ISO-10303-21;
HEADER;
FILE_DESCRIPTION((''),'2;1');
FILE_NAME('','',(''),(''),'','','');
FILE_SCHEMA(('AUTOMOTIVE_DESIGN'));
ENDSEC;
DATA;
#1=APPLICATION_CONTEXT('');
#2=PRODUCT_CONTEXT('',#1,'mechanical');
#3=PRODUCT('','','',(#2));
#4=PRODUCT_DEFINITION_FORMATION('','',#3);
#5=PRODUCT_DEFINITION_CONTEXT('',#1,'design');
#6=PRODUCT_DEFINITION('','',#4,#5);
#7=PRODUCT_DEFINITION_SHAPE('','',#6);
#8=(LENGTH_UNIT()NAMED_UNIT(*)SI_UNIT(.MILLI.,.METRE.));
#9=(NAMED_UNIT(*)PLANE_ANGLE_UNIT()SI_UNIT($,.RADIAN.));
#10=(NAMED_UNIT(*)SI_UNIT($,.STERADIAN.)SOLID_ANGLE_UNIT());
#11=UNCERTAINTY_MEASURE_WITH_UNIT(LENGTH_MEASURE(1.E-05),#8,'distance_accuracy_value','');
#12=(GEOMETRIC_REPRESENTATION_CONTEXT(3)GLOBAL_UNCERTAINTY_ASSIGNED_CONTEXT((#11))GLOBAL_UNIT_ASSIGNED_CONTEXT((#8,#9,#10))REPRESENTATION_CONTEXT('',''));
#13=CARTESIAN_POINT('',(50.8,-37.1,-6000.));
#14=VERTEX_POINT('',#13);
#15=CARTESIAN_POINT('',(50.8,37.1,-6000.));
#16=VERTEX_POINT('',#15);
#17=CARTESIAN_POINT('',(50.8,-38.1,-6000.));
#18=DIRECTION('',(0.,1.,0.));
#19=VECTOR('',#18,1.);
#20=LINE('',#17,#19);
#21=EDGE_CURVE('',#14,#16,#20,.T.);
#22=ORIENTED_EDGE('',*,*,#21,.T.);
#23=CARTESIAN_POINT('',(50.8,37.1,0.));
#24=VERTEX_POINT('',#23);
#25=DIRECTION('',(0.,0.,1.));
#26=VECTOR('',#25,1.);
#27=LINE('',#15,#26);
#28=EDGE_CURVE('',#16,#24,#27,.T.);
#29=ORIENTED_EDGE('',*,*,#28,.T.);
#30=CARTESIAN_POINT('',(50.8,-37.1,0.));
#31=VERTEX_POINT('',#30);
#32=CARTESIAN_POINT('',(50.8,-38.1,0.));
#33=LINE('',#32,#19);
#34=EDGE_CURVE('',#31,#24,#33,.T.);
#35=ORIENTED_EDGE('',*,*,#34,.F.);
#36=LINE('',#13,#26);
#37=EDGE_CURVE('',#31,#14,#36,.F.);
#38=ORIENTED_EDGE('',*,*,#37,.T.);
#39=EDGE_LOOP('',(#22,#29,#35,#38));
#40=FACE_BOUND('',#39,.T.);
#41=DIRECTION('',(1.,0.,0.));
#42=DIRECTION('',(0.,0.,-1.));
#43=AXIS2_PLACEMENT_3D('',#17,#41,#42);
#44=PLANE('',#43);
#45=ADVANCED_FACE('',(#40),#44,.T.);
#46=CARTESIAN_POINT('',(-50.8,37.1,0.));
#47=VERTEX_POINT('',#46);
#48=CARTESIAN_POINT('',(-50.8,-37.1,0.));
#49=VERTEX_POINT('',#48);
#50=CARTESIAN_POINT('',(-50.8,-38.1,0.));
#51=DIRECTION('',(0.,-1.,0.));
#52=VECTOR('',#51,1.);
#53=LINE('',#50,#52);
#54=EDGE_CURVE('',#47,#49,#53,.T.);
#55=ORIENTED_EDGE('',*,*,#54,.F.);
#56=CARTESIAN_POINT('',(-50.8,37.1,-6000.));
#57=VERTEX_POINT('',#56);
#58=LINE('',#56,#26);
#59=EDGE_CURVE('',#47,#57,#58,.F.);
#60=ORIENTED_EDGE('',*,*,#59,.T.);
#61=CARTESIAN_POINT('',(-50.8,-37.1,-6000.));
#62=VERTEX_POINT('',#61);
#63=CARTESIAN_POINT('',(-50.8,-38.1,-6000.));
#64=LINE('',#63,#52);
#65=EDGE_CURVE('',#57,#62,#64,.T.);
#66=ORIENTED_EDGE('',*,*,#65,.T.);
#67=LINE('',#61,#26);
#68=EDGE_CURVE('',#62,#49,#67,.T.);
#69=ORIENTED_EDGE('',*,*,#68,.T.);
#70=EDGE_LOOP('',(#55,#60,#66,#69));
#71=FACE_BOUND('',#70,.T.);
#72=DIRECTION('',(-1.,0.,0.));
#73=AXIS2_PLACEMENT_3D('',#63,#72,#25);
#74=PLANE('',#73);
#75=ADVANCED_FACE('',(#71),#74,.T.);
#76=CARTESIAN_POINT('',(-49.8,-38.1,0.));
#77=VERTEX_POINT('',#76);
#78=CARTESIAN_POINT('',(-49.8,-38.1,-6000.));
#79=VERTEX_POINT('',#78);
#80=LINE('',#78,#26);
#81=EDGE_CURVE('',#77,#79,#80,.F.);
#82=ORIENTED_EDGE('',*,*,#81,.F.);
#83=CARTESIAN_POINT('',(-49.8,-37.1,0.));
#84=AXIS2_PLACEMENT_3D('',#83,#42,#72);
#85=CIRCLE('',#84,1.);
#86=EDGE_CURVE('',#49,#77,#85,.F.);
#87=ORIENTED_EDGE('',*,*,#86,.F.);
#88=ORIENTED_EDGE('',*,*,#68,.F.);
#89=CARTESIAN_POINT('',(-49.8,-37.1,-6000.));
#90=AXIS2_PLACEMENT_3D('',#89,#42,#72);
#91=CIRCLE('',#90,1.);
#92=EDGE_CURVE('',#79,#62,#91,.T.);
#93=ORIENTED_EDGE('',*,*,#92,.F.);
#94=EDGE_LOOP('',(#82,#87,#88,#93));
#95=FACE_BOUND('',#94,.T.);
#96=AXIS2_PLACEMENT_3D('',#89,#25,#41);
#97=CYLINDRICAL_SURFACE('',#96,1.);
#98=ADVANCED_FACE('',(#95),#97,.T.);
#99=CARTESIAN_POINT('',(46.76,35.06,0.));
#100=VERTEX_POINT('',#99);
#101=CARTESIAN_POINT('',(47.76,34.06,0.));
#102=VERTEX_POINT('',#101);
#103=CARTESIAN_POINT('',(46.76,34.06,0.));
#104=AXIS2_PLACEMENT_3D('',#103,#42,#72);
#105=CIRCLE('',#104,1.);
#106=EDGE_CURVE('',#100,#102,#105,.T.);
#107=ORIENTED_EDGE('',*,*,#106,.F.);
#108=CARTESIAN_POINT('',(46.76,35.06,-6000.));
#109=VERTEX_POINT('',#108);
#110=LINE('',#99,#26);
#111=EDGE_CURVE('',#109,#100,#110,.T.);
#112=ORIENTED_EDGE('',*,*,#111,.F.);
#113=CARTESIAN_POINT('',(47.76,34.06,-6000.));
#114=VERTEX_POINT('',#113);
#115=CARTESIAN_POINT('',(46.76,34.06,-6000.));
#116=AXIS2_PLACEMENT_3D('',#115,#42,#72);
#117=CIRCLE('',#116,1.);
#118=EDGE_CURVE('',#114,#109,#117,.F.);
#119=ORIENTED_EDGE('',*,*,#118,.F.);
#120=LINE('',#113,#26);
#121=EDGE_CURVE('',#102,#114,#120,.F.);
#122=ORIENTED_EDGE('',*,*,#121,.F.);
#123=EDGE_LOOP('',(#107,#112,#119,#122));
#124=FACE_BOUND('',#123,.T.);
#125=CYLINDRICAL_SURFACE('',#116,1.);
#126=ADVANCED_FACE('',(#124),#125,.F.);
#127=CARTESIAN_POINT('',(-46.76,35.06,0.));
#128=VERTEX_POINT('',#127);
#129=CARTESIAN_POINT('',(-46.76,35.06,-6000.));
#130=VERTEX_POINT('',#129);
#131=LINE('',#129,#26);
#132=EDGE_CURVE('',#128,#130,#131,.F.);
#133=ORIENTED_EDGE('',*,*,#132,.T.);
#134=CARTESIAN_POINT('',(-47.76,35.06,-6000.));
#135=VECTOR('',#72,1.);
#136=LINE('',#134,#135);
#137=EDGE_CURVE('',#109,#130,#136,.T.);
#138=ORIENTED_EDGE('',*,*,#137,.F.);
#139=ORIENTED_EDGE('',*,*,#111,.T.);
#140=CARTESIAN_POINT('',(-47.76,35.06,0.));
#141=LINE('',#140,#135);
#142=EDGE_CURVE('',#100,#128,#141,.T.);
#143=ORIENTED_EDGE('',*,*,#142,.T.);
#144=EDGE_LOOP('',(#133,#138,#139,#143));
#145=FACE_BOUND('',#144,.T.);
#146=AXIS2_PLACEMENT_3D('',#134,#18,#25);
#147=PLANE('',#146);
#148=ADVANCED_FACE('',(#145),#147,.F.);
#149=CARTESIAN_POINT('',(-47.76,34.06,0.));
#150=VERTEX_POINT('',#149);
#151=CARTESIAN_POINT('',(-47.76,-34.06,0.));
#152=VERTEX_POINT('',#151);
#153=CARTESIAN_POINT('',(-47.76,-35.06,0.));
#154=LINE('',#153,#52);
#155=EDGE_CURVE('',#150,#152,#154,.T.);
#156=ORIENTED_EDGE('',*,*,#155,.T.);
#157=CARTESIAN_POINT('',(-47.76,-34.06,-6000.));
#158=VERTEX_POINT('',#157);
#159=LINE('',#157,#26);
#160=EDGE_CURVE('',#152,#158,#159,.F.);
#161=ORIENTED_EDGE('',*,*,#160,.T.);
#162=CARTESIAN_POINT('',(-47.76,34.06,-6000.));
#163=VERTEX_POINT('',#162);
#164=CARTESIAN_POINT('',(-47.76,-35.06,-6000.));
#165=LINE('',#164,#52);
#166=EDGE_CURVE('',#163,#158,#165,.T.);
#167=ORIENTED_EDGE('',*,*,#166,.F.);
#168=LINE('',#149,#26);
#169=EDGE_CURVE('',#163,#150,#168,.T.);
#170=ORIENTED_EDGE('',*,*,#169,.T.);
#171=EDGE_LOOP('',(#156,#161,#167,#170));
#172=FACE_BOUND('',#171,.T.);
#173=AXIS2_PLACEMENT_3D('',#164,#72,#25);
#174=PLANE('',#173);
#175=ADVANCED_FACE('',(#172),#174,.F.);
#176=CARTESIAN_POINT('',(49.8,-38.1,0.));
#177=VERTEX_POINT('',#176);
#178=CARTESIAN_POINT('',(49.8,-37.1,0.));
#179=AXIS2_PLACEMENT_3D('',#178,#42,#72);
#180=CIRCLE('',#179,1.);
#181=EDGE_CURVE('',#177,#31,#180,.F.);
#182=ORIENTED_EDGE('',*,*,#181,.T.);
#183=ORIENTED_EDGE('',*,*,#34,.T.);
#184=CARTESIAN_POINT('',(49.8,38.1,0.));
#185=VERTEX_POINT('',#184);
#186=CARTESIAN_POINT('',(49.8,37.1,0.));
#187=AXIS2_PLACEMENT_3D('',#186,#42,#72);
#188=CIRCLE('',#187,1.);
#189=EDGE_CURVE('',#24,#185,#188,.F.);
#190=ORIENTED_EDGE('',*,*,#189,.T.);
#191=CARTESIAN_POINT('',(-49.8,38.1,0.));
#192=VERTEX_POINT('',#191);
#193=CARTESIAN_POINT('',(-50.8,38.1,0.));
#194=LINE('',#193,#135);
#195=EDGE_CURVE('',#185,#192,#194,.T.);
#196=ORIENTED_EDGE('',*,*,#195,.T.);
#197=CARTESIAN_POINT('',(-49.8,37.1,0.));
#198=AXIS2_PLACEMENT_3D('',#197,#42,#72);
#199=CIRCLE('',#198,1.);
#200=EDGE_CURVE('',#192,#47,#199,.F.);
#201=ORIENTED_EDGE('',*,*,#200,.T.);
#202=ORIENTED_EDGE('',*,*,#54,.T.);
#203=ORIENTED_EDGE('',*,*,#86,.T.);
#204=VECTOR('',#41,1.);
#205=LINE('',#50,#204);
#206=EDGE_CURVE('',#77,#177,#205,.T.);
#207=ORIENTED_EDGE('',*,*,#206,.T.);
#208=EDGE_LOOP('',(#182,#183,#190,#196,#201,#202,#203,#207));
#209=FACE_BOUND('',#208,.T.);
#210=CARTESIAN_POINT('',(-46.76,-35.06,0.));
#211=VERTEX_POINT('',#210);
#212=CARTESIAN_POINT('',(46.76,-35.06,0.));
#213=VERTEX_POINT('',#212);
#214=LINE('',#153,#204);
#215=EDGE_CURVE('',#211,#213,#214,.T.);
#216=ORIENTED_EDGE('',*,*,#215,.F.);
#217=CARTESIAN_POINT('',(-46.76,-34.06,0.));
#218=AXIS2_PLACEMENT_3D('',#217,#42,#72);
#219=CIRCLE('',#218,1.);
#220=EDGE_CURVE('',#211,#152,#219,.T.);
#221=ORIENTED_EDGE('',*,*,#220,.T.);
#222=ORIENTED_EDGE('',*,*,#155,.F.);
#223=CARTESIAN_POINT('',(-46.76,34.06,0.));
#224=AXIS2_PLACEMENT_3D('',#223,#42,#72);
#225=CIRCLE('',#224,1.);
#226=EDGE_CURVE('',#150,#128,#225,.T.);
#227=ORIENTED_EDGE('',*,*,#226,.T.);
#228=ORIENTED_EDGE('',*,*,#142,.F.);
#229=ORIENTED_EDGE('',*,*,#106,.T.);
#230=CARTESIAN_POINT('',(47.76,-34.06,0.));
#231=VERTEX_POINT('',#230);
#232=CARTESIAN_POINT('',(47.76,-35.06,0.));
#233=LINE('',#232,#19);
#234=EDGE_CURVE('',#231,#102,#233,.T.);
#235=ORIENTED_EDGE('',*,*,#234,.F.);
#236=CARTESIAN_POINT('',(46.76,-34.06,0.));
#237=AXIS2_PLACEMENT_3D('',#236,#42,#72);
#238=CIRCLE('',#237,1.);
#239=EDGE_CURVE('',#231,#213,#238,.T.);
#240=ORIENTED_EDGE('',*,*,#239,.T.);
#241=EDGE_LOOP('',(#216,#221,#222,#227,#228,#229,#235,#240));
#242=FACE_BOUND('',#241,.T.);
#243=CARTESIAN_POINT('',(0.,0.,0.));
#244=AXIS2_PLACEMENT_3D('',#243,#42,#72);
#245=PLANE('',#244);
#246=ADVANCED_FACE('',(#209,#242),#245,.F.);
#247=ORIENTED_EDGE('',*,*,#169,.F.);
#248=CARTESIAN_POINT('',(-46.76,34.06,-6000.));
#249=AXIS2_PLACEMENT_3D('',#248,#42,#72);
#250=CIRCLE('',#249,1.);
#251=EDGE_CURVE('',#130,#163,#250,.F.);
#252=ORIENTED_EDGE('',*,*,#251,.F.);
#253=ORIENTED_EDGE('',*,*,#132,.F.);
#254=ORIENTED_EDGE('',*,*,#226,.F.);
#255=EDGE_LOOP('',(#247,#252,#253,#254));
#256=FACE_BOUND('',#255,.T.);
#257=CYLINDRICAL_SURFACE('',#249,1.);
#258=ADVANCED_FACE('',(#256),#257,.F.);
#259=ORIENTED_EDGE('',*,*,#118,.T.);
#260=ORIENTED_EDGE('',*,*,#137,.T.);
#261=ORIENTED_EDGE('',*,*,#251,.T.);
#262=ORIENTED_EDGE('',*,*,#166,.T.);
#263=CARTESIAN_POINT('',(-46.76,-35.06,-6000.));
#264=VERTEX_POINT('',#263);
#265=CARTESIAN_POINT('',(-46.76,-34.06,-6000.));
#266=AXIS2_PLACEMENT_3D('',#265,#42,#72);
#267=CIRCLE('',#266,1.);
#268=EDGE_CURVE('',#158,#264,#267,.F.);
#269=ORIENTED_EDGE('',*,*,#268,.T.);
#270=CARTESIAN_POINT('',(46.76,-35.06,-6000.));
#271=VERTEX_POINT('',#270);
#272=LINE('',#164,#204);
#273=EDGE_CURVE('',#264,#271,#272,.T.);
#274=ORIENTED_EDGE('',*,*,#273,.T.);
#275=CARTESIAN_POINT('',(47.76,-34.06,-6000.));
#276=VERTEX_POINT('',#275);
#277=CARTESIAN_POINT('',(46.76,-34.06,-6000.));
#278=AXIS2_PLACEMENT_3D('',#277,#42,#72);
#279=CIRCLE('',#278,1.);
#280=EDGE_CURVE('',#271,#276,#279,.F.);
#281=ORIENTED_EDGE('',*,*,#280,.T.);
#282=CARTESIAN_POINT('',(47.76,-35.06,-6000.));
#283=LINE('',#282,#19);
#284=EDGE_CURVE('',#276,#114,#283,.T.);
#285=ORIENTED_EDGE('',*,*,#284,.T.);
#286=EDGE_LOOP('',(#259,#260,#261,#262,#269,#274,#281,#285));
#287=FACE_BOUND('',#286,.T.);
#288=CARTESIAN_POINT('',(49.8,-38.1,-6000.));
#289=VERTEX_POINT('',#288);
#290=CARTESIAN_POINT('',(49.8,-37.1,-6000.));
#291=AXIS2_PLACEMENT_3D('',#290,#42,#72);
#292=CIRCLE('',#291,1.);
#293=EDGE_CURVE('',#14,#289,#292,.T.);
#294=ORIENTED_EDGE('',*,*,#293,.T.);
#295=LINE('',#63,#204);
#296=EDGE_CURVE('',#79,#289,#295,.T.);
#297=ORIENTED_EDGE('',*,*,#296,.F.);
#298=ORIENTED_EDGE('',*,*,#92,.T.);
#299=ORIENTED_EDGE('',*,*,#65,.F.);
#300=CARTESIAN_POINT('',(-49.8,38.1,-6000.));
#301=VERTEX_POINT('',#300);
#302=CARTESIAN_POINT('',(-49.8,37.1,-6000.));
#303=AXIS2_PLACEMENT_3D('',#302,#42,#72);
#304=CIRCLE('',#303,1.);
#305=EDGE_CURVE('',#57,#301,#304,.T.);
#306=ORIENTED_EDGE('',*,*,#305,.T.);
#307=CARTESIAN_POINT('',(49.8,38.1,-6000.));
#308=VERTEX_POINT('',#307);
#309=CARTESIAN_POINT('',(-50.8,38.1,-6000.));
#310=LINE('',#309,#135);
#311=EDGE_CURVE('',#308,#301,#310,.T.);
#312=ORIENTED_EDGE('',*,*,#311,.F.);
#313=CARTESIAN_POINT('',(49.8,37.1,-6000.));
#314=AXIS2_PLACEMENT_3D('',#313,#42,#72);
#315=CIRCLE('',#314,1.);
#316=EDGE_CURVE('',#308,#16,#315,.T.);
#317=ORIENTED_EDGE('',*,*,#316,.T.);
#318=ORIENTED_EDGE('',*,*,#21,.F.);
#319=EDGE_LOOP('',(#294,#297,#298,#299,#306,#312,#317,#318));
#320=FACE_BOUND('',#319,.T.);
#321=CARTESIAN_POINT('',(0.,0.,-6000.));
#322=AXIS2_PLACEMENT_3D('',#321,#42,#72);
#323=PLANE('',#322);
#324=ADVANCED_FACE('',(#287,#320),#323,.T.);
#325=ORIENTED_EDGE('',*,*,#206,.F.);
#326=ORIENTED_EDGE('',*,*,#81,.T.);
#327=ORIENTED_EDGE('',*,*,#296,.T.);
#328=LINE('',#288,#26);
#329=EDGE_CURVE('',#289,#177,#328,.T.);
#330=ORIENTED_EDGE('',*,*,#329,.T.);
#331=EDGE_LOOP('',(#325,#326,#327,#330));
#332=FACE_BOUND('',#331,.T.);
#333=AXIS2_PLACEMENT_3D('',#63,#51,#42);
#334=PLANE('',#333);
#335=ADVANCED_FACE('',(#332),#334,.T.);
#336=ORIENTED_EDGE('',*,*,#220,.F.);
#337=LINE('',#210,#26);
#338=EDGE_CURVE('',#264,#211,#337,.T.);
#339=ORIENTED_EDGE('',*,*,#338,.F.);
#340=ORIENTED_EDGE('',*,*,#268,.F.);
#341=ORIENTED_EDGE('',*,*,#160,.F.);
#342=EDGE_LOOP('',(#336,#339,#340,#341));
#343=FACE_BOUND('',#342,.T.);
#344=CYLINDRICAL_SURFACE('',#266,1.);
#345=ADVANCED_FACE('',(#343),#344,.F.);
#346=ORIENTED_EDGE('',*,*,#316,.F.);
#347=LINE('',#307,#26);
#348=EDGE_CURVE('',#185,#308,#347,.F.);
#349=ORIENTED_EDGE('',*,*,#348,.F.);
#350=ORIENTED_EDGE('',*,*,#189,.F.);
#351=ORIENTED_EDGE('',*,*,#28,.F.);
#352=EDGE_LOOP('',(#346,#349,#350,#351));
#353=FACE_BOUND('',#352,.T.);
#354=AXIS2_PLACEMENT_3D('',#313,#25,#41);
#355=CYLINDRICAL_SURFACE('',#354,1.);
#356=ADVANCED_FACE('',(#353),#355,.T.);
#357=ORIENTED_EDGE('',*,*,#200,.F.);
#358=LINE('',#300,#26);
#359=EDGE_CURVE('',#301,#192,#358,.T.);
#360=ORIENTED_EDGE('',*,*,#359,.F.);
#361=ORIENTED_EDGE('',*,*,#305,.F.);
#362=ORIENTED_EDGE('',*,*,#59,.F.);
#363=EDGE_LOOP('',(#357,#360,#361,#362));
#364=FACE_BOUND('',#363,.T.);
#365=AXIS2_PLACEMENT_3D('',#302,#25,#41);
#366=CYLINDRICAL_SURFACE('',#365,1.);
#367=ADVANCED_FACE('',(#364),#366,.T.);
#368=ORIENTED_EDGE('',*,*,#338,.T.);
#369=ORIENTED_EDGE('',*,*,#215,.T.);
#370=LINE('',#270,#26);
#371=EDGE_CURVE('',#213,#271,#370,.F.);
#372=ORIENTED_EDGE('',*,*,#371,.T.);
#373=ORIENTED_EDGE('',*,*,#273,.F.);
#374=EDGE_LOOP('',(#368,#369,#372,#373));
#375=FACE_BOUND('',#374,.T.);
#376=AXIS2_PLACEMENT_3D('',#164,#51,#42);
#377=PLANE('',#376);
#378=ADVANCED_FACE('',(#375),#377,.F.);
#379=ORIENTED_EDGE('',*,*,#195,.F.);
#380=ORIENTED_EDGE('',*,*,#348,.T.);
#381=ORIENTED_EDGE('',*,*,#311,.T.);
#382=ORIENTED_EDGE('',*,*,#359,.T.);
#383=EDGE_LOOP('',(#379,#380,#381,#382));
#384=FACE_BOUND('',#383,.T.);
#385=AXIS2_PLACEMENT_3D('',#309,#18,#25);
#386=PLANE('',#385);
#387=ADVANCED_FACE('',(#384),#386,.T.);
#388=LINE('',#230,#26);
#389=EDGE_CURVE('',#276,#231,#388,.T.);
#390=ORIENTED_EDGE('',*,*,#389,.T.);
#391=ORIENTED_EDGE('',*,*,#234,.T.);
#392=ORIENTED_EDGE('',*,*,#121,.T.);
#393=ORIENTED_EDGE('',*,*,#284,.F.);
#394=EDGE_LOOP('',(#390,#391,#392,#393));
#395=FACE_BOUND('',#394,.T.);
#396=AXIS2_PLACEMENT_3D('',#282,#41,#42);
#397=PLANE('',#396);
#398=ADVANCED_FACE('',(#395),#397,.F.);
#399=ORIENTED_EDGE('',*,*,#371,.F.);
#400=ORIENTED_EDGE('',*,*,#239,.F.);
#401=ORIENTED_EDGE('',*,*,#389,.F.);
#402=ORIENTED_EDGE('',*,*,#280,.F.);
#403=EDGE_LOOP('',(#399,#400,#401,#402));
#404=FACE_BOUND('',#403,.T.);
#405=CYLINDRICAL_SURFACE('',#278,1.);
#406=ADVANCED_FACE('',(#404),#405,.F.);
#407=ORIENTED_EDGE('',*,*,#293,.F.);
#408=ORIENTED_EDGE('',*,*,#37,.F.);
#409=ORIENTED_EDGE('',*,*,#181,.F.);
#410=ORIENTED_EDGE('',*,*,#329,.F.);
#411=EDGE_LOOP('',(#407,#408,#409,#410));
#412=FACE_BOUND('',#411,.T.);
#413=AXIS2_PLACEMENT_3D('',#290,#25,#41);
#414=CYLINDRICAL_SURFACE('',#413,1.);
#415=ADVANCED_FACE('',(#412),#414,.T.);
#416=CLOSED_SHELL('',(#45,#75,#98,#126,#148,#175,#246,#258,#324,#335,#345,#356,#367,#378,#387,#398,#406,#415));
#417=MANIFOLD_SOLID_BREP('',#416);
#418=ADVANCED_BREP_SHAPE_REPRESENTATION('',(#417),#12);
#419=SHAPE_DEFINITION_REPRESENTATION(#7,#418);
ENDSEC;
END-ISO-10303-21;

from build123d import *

# Parameters (mm, degrees)
CROQUIS1_W              = 101.6
CROQUIS1_H              = 76.2
CROQUIS1_W_2            = 95.52
CROQUIS1_H_2            = 70.12
SALIENTE_EXTRUIR1_DEPTH = 6000
REDONDEO1_R             = 1


with BuildPart() as part:
    # Croquis1 → Saliente-Extruir1 (new body)
    with BuildSketch(Plane.XY):
        Rectangle(CROQUIS1_W, CROQUIS1_H)
        Rectangle(CROQUIS1_W_2, CROQUIS1_H_2, mode=Mode.SUBTRACT)
    extrude(amount=-SALIENTE_EXTRUIR1_DEPTH)

    # Redondeo1
    redondeo1_edges = [part.edges().sort_by_distance(p)[0] for p in [
        (47.76, -35.06, -3000),
        (-47.76, -35.06, -3000),
        (-47.76, 35.06, -3000),
        (47.76, 35.06, -3000),
        (50.8, -38.1, -3000),
        (-50.8, -38.1, -3000),
        (-50.8, 38.1, -3000),
        (50.8, 38.1, -3000),
    ]]
    fillet(redondeo1_edges, radius=REDONDEO1_R)


solid = part.part
